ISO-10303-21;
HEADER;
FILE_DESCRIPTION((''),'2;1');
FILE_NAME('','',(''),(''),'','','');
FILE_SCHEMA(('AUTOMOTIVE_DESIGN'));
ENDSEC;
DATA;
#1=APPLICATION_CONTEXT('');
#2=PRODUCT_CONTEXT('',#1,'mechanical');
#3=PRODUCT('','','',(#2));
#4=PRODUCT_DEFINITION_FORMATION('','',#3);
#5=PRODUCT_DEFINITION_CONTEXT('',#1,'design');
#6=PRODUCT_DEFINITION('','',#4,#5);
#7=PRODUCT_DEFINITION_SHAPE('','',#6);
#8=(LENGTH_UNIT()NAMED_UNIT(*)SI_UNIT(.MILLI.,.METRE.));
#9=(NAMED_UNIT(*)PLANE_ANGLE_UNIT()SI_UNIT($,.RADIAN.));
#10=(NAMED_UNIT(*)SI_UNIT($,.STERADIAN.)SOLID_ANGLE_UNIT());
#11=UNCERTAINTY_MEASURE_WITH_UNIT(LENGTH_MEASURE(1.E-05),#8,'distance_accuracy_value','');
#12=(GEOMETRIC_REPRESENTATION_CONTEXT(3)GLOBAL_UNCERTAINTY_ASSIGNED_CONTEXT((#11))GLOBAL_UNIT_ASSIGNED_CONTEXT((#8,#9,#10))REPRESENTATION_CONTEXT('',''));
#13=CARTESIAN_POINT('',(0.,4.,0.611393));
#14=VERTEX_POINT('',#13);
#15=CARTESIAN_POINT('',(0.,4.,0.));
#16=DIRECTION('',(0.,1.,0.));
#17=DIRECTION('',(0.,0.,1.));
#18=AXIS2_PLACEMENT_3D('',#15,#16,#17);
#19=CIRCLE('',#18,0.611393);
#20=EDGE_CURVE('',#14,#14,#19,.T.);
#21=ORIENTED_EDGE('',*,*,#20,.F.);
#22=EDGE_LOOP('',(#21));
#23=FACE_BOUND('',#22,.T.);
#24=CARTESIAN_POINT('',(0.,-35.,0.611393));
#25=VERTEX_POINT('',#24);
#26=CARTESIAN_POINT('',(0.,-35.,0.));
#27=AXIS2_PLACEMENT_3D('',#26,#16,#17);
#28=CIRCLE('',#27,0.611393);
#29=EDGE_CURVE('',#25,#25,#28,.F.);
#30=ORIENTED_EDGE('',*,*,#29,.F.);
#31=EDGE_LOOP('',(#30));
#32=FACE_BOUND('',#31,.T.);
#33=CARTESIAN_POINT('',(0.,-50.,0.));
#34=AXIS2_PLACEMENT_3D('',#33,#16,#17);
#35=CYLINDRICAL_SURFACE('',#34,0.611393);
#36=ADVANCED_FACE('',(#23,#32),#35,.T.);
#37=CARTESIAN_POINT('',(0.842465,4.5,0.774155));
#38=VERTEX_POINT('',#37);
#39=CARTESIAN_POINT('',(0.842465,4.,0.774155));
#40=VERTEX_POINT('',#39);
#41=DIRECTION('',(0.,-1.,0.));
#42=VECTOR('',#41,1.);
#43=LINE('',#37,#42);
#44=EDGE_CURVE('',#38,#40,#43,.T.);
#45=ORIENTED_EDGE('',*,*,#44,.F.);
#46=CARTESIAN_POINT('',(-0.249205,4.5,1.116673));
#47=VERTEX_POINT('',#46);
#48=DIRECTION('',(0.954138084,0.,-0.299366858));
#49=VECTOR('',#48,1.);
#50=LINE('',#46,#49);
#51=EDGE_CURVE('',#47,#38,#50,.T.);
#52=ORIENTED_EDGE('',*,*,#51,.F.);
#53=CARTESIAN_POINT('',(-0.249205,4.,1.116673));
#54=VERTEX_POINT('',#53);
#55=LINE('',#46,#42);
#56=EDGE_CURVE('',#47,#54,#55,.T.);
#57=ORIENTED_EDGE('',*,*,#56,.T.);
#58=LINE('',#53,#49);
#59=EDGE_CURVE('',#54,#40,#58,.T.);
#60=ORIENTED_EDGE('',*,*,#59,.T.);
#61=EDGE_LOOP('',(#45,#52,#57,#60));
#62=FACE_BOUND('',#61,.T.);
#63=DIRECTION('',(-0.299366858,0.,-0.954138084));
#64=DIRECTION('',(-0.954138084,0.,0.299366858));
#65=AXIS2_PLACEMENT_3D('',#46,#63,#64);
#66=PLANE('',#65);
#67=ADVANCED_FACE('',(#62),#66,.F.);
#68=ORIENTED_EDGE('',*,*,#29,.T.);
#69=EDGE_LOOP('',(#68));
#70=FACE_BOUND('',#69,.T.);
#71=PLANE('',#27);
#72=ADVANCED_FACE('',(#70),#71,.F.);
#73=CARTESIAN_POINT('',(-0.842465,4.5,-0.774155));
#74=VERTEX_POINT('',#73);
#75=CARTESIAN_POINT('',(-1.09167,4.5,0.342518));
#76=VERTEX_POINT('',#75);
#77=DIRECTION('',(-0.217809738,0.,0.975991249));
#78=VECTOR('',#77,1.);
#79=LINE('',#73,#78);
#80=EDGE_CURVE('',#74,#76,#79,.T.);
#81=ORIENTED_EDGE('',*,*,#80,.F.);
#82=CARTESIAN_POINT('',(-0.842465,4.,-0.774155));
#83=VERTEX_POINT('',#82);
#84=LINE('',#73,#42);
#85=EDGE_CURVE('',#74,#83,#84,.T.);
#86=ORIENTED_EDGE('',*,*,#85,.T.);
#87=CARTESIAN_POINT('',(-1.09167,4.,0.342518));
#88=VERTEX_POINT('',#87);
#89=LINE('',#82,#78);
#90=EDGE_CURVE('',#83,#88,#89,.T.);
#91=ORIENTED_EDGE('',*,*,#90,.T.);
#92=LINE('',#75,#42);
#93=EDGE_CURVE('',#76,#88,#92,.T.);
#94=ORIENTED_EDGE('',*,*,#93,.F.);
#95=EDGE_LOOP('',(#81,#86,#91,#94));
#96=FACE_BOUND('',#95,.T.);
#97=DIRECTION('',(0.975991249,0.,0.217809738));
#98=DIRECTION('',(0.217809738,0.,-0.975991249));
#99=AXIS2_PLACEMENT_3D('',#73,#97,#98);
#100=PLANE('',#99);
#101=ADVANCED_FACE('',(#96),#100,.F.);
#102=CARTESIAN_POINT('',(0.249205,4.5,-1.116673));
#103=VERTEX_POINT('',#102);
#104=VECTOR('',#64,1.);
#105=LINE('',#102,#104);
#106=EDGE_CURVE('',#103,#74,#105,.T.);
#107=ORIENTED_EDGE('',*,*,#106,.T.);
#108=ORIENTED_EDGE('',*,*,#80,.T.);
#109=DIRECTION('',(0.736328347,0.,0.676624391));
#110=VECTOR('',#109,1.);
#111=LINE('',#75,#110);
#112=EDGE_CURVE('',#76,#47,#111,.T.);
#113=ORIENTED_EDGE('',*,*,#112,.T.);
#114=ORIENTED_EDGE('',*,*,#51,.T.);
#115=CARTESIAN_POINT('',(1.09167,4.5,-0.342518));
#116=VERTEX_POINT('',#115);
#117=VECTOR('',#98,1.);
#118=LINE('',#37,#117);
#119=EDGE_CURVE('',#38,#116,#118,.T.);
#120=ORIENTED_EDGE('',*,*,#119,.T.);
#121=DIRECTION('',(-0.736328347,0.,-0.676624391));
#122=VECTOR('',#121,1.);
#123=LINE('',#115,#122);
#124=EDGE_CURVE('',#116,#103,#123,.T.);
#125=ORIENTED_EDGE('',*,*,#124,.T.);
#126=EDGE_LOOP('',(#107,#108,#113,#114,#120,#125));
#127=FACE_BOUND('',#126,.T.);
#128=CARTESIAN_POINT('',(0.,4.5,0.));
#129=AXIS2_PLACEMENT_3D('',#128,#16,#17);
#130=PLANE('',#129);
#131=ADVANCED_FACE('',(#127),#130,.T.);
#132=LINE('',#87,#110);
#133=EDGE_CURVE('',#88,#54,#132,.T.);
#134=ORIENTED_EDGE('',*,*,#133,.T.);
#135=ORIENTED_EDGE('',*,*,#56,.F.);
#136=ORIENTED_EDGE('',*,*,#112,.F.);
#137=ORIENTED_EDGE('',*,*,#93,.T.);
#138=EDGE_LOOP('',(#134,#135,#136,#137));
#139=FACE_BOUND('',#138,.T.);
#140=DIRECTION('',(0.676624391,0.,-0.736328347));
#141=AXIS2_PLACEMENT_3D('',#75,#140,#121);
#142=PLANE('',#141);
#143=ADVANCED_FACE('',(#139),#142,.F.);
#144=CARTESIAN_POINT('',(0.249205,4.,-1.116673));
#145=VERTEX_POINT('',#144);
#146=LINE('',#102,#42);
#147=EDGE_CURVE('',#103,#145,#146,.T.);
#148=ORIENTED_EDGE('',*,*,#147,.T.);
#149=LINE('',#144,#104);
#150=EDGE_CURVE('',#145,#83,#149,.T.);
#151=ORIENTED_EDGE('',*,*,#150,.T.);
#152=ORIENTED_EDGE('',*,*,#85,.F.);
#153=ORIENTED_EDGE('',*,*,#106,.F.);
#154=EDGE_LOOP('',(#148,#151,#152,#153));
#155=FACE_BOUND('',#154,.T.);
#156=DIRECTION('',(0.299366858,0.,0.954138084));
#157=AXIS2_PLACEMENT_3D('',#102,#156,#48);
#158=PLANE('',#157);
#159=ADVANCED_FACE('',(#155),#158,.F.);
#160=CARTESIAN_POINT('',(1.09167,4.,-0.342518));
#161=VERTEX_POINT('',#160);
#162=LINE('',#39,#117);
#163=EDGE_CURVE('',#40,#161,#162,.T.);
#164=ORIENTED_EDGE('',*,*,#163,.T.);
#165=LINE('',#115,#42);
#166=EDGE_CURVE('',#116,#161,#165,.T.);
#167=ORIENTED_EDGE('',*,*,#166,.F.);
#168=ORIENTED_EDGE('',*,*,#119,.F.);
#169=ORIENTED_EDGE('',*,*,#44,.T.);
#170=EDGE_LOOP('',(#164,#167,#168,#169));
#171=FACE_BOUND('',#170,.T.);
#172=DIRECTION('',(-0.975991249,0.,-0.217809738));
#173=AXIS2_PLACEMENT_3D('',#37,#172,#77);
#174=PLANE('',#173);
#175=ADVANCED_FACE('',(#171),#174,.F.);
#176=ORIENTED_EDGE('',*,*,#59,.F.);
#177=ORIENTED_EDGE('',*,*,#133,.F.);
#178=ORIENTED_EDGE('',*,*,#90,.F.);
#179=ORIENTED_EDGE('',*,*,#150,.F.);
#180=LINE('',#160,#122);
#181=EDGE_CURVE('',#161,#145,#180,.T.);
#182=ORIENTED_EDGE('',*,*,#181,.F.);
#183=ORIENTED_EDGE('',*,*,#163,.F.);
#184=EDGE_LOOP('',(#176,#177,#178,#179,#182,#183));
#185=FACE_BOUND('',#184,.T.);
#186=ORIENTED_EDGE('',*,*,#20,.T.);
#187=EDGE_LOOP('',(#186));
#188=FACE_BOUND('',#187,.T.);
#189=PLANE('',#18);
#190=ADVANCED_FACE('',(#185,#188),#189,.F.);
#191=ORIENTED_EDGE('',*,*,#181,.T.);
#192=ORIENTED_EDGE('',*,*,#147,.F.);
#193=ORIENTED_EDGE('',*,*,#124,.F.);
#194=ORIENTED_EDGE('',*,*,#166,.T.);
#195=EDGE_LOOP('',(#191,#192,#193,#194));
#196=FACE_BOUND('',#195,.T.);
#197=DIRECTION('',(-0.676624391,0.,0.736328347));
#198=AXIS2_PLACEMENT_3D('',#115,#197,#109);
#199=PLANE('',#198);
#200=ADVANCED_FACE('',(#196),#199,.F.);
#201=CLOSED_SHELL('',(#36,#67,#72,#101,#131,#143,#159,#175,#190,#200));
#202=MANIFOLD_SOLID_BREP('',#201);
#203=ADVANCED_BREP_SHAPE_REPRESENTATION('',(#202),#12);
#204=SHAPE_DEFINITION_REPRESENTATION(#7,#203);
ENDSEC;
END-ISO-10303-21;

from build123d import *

# Parameters (mm, degrees)
BOSS_EXTRUDE3_DEPTH      = 4
BOSS_EXTRUDE3_DEPTH_BACK = 50
SKETCH2_R                = 0.611392816
BOSS_EXTRUDE4_DEPTH      = 0.5
SKETCH4_W                = 4.000836521
SKETCH4_H                = 3.633574568
CUT_EXTRUDE1_DEPTH       = 15


with BuildPart() as part:
    # Sketch2 → Boss-Extrude3 (new, two sides: drawn at the far end of the back side and taken through both)
    with BuildSketch(Plane(origin=(0, 0, 0), x_dir=(1, 0, 0), z_dir=(0, 1, 0)).offset(-BOSS_EXTRUDE3_DEPTH_BACK)):
        with Locations(Location((0, 0, 0), (0, 0, 270))):
            Circle(SKETCH2_R)
    extrude(amount=BOSS_EXTRUDE3_DEPTH + BOSS_EXTRUDE3_DEPTH_BACK)

    # Sketch3 → Boss-Extrude4 (add)
    with BuildSketch(Plane(origin=(0, 4, 0), x_dir=(1, 0, 0), z_dir=(0, 1, 0))):
        Polygon((0.842464754, -0.774154905), (1.091670191, 0.342518427), (0.249205437, 1.116673331), (-0.842464754, 0.774154905), (-1.091670191, -0.342518427), (-0.249205437, -1.116673331), align=None)
    extrude(amount=BOSS_EXTRUDE4_DEPTH)

    # Sketch4 → Cut-Extrude1 (cut)
    with BuildSketch(Plane(origin=(0, -50, 0), x_dir=(-1, 0, 0), z_dir=(0, -1, 0))):
        with Locations((-0.863813315, -0.094243853)):
            Rectangle(SKETCH4_W, SKETCH4_H)
    extrude(amount=-CUT_EXTRUDE1_DEPTH, mode=Mode.SUBTRACT)


solid = part.part
